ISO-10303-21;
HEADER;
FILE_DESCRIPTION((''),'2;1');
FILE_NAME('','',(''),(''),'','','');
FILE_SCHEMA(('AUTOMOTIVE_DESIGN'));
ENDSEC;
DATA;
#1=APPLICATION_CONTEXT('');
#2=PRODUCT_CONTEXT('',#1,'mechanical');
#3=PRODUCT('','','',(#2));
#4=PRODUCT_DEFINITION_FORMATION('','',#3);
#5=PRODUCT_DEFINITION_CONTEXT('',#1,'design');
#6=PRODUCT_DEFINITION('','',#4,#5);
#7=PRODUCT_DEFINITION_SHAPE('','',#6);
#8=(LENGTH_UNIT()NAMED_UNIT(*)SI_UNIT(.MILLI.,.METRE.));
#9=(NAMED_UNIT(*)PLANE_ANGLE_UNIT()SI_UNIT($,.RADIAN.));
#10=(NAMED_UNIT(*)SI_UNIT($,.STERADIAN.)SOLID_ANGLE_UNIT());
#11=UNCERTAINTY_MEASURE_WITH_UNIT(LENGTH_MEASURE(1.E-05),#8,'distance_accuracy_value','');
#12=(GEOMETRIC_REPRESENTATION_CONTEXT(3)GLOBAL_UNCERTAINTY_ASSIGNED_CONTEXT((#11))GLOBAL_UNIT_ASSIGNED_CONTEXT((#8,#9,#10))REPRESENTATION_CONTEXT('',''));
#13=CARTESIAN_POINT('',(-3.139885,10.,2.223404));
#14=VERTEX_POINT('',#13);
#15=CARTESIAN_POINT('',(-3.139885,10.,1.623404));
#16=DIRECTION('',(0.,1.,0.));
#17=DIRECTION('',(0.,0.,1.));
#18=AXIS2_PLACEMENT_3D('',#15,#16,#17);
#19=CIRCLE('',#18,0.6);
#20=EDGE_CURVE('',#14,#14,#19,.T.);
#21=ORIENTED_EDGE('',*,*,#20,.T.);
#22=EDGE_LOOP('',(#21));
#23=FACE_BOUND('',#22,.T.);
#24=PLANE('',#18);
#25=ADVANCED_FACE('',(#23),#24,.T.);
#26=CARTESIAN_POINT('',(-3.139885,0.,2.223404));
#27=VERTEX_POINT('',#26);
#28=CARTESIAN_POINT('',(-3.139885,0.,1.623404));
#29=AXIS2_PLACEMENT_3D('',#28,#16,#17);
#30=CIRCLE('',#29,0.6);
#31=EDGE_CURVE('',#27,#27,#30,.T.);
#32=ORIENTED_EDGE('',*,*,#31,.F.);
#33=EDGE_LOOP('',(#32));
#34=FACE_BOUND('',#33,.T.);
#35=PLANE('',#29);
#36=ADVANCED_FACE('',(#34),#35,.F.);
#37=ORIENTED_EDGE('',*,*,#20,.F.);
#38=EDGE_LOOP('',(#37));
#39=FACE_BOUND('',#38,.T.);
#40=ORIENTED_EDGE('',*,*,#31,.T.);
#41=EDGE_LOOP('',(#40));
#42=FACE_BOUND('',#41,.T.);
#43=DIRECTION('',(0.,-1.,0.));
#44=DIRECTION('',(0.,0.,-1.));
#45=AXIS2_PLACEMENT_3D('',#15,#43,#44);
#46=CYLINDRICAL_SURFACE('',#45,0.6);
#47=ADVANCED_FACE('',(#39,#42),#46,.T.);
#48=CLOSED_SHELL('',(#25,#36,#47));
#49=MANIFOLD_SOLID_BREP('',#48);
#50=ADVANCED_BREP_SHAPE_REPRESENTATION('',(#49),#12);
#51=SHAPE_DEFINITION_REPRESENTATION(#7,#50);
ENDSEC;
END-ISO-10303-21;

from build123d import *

# Parameters (mm, degrees)
SKETCH_1_R      = 0.6
EXTRUDE_1_DEPTH = 10


with BuildPart() as part:
    # 草图1 → 凸台-拉伸1 (new body)
    with BuildSketch(Plane(origin=(0, 0, 0), x_dir=(1, 0, 0), z_dir=(0, 1, 0))):
        with Locations(Location((-3.13988528, -1.623404019, 0), (0, 0, 270))):
            Circle(SKETCH_1_R)
    extrude(amount=EXTRUDE_1_DEPTH)


solid = part.part
